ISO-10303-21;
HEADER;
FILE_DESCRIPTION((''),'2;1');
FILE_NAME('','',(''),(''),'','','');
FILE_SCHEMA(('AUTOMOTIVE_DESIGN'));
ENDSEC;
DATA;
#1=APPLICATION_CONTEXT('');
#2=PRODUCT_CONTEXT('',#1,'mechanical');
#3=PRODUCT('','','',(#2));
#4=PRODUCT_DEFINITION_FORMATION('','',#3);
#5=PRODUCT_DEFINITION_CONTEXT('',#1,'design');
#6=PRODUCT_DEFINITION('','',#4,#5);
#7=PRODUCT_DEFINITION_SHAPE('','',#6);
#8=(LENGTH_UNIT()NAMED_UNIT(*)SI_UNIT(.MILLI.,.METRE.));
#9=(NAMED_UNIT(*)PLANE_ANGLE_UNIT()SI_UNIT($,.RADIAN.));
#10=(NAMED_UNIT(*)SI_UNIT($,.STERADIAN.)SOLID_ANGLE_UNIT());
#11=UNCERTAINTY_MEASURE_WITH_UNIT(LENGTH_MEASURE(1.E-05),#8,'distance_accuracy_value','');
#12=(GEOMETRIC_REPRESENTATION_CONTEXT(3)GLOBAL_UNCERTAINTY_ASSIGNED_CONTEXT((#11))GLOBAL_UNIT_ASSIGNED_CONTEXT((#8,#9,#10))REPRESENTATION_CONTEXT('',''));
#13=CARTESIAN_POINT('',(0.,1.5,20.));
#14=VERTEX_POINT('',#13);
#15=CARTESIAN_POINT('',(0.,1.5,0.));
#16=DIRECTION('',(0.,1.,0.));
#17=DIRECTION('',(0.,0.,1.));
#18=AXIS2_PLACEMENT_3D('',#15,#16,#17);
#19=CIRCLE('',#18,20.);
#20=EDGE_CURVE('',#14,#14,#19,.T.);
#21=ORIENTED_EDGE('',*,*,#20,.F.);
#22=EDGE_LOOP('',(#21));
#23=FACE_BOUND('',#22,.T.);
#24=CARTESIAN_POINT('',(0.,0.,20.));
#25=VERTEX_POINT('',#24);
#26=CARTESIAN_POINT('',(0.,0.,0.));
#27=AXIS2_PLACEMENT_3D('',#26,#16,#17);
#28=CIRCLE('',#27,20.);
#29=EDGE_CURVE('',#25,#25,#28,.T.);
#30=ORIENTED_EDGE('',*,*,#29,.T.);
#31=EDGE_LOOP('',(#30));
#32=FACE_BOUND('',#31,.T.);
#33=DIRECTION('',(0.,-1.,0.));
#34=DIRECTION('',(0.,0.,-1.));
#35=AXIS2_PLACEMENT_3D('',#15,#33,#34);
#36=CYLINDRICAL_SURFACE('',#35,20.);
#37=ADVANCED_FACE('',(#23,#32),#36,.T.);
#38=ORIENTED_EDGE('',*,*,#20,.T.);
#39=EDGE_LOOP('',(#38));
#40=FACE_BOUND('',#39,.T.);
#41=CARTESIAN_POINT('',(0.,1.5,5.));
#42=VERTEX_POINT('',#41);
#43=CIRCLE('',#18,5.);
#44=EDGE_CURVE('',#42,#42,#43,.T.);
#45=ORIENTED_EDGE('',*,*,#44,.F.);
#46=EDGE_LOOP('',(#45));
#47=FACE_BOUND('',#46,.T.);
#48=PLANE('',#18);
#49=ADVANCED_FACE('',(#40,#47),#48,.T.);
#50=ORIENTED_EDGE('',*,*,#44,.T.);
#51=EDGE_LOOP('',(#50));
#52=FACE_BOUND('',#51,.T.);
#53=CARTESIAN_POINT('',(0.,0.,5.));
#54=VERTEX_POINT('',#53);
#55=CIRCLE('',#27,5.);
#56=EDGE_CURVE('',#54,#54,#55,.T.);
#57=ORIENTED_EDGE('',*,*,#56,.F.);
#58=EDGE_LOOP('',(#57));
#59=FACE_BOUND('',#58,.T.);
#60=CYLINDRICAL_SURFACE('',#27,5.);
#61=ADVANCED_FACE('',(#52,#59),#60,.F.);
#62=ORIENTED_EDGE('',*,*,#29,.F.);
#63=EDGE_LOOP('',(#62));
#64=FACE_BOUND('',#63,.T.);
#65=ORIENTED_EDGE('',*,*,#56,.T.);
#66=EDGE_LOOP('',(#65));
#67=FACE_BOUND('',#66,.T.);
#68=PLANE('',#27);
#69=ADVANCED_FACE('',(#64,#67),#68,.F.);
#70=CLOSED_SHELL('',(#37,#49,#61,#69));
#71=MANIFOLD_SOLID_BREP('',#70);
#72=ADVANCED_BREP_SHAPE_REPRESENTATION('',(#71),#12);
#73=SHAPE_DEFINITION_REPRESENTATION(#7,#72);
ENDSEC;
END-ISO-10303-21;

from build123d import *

# Parameters (mm, degrees)
SKETCH1_R           = 20
BOSS_EXTRUDE1_DEPTH = 1.5
SKETCH2_R           = 5
CUT_EXTRUDE1_DEPTH  = 1.5


with BuildPart() as part:
    # Sketch1 → Boss-Extrude1 (new body)
    with BuildSketch(Plane(origin=(0, 0, 0), x_dir=(1, 0, 0), z_dir=(0, 1, 0))):
        with Locations(Location((0, 0, 0), (0, 0, 270))):
            Circle(SKETCH1_R)
    extrude(amount=BOSS_EXTRUDE1_DEPTH)

    # Sketch2 → Cut-Extrude1 (cut)
    with BuildSketch(Plane(origin=(0, 1.5, 0), x_dir=(1, 0, 0), z_dir=(0, 1, 0))):
        with Locations(Location((0, 0, 0), (0, 0, 270))):
            Circle(SKETCH2_R)
    extrude(amount=-CUT_EXTRUDE1_DEPTH, mode=Mode.SUBTRACT)


solid = part.part
